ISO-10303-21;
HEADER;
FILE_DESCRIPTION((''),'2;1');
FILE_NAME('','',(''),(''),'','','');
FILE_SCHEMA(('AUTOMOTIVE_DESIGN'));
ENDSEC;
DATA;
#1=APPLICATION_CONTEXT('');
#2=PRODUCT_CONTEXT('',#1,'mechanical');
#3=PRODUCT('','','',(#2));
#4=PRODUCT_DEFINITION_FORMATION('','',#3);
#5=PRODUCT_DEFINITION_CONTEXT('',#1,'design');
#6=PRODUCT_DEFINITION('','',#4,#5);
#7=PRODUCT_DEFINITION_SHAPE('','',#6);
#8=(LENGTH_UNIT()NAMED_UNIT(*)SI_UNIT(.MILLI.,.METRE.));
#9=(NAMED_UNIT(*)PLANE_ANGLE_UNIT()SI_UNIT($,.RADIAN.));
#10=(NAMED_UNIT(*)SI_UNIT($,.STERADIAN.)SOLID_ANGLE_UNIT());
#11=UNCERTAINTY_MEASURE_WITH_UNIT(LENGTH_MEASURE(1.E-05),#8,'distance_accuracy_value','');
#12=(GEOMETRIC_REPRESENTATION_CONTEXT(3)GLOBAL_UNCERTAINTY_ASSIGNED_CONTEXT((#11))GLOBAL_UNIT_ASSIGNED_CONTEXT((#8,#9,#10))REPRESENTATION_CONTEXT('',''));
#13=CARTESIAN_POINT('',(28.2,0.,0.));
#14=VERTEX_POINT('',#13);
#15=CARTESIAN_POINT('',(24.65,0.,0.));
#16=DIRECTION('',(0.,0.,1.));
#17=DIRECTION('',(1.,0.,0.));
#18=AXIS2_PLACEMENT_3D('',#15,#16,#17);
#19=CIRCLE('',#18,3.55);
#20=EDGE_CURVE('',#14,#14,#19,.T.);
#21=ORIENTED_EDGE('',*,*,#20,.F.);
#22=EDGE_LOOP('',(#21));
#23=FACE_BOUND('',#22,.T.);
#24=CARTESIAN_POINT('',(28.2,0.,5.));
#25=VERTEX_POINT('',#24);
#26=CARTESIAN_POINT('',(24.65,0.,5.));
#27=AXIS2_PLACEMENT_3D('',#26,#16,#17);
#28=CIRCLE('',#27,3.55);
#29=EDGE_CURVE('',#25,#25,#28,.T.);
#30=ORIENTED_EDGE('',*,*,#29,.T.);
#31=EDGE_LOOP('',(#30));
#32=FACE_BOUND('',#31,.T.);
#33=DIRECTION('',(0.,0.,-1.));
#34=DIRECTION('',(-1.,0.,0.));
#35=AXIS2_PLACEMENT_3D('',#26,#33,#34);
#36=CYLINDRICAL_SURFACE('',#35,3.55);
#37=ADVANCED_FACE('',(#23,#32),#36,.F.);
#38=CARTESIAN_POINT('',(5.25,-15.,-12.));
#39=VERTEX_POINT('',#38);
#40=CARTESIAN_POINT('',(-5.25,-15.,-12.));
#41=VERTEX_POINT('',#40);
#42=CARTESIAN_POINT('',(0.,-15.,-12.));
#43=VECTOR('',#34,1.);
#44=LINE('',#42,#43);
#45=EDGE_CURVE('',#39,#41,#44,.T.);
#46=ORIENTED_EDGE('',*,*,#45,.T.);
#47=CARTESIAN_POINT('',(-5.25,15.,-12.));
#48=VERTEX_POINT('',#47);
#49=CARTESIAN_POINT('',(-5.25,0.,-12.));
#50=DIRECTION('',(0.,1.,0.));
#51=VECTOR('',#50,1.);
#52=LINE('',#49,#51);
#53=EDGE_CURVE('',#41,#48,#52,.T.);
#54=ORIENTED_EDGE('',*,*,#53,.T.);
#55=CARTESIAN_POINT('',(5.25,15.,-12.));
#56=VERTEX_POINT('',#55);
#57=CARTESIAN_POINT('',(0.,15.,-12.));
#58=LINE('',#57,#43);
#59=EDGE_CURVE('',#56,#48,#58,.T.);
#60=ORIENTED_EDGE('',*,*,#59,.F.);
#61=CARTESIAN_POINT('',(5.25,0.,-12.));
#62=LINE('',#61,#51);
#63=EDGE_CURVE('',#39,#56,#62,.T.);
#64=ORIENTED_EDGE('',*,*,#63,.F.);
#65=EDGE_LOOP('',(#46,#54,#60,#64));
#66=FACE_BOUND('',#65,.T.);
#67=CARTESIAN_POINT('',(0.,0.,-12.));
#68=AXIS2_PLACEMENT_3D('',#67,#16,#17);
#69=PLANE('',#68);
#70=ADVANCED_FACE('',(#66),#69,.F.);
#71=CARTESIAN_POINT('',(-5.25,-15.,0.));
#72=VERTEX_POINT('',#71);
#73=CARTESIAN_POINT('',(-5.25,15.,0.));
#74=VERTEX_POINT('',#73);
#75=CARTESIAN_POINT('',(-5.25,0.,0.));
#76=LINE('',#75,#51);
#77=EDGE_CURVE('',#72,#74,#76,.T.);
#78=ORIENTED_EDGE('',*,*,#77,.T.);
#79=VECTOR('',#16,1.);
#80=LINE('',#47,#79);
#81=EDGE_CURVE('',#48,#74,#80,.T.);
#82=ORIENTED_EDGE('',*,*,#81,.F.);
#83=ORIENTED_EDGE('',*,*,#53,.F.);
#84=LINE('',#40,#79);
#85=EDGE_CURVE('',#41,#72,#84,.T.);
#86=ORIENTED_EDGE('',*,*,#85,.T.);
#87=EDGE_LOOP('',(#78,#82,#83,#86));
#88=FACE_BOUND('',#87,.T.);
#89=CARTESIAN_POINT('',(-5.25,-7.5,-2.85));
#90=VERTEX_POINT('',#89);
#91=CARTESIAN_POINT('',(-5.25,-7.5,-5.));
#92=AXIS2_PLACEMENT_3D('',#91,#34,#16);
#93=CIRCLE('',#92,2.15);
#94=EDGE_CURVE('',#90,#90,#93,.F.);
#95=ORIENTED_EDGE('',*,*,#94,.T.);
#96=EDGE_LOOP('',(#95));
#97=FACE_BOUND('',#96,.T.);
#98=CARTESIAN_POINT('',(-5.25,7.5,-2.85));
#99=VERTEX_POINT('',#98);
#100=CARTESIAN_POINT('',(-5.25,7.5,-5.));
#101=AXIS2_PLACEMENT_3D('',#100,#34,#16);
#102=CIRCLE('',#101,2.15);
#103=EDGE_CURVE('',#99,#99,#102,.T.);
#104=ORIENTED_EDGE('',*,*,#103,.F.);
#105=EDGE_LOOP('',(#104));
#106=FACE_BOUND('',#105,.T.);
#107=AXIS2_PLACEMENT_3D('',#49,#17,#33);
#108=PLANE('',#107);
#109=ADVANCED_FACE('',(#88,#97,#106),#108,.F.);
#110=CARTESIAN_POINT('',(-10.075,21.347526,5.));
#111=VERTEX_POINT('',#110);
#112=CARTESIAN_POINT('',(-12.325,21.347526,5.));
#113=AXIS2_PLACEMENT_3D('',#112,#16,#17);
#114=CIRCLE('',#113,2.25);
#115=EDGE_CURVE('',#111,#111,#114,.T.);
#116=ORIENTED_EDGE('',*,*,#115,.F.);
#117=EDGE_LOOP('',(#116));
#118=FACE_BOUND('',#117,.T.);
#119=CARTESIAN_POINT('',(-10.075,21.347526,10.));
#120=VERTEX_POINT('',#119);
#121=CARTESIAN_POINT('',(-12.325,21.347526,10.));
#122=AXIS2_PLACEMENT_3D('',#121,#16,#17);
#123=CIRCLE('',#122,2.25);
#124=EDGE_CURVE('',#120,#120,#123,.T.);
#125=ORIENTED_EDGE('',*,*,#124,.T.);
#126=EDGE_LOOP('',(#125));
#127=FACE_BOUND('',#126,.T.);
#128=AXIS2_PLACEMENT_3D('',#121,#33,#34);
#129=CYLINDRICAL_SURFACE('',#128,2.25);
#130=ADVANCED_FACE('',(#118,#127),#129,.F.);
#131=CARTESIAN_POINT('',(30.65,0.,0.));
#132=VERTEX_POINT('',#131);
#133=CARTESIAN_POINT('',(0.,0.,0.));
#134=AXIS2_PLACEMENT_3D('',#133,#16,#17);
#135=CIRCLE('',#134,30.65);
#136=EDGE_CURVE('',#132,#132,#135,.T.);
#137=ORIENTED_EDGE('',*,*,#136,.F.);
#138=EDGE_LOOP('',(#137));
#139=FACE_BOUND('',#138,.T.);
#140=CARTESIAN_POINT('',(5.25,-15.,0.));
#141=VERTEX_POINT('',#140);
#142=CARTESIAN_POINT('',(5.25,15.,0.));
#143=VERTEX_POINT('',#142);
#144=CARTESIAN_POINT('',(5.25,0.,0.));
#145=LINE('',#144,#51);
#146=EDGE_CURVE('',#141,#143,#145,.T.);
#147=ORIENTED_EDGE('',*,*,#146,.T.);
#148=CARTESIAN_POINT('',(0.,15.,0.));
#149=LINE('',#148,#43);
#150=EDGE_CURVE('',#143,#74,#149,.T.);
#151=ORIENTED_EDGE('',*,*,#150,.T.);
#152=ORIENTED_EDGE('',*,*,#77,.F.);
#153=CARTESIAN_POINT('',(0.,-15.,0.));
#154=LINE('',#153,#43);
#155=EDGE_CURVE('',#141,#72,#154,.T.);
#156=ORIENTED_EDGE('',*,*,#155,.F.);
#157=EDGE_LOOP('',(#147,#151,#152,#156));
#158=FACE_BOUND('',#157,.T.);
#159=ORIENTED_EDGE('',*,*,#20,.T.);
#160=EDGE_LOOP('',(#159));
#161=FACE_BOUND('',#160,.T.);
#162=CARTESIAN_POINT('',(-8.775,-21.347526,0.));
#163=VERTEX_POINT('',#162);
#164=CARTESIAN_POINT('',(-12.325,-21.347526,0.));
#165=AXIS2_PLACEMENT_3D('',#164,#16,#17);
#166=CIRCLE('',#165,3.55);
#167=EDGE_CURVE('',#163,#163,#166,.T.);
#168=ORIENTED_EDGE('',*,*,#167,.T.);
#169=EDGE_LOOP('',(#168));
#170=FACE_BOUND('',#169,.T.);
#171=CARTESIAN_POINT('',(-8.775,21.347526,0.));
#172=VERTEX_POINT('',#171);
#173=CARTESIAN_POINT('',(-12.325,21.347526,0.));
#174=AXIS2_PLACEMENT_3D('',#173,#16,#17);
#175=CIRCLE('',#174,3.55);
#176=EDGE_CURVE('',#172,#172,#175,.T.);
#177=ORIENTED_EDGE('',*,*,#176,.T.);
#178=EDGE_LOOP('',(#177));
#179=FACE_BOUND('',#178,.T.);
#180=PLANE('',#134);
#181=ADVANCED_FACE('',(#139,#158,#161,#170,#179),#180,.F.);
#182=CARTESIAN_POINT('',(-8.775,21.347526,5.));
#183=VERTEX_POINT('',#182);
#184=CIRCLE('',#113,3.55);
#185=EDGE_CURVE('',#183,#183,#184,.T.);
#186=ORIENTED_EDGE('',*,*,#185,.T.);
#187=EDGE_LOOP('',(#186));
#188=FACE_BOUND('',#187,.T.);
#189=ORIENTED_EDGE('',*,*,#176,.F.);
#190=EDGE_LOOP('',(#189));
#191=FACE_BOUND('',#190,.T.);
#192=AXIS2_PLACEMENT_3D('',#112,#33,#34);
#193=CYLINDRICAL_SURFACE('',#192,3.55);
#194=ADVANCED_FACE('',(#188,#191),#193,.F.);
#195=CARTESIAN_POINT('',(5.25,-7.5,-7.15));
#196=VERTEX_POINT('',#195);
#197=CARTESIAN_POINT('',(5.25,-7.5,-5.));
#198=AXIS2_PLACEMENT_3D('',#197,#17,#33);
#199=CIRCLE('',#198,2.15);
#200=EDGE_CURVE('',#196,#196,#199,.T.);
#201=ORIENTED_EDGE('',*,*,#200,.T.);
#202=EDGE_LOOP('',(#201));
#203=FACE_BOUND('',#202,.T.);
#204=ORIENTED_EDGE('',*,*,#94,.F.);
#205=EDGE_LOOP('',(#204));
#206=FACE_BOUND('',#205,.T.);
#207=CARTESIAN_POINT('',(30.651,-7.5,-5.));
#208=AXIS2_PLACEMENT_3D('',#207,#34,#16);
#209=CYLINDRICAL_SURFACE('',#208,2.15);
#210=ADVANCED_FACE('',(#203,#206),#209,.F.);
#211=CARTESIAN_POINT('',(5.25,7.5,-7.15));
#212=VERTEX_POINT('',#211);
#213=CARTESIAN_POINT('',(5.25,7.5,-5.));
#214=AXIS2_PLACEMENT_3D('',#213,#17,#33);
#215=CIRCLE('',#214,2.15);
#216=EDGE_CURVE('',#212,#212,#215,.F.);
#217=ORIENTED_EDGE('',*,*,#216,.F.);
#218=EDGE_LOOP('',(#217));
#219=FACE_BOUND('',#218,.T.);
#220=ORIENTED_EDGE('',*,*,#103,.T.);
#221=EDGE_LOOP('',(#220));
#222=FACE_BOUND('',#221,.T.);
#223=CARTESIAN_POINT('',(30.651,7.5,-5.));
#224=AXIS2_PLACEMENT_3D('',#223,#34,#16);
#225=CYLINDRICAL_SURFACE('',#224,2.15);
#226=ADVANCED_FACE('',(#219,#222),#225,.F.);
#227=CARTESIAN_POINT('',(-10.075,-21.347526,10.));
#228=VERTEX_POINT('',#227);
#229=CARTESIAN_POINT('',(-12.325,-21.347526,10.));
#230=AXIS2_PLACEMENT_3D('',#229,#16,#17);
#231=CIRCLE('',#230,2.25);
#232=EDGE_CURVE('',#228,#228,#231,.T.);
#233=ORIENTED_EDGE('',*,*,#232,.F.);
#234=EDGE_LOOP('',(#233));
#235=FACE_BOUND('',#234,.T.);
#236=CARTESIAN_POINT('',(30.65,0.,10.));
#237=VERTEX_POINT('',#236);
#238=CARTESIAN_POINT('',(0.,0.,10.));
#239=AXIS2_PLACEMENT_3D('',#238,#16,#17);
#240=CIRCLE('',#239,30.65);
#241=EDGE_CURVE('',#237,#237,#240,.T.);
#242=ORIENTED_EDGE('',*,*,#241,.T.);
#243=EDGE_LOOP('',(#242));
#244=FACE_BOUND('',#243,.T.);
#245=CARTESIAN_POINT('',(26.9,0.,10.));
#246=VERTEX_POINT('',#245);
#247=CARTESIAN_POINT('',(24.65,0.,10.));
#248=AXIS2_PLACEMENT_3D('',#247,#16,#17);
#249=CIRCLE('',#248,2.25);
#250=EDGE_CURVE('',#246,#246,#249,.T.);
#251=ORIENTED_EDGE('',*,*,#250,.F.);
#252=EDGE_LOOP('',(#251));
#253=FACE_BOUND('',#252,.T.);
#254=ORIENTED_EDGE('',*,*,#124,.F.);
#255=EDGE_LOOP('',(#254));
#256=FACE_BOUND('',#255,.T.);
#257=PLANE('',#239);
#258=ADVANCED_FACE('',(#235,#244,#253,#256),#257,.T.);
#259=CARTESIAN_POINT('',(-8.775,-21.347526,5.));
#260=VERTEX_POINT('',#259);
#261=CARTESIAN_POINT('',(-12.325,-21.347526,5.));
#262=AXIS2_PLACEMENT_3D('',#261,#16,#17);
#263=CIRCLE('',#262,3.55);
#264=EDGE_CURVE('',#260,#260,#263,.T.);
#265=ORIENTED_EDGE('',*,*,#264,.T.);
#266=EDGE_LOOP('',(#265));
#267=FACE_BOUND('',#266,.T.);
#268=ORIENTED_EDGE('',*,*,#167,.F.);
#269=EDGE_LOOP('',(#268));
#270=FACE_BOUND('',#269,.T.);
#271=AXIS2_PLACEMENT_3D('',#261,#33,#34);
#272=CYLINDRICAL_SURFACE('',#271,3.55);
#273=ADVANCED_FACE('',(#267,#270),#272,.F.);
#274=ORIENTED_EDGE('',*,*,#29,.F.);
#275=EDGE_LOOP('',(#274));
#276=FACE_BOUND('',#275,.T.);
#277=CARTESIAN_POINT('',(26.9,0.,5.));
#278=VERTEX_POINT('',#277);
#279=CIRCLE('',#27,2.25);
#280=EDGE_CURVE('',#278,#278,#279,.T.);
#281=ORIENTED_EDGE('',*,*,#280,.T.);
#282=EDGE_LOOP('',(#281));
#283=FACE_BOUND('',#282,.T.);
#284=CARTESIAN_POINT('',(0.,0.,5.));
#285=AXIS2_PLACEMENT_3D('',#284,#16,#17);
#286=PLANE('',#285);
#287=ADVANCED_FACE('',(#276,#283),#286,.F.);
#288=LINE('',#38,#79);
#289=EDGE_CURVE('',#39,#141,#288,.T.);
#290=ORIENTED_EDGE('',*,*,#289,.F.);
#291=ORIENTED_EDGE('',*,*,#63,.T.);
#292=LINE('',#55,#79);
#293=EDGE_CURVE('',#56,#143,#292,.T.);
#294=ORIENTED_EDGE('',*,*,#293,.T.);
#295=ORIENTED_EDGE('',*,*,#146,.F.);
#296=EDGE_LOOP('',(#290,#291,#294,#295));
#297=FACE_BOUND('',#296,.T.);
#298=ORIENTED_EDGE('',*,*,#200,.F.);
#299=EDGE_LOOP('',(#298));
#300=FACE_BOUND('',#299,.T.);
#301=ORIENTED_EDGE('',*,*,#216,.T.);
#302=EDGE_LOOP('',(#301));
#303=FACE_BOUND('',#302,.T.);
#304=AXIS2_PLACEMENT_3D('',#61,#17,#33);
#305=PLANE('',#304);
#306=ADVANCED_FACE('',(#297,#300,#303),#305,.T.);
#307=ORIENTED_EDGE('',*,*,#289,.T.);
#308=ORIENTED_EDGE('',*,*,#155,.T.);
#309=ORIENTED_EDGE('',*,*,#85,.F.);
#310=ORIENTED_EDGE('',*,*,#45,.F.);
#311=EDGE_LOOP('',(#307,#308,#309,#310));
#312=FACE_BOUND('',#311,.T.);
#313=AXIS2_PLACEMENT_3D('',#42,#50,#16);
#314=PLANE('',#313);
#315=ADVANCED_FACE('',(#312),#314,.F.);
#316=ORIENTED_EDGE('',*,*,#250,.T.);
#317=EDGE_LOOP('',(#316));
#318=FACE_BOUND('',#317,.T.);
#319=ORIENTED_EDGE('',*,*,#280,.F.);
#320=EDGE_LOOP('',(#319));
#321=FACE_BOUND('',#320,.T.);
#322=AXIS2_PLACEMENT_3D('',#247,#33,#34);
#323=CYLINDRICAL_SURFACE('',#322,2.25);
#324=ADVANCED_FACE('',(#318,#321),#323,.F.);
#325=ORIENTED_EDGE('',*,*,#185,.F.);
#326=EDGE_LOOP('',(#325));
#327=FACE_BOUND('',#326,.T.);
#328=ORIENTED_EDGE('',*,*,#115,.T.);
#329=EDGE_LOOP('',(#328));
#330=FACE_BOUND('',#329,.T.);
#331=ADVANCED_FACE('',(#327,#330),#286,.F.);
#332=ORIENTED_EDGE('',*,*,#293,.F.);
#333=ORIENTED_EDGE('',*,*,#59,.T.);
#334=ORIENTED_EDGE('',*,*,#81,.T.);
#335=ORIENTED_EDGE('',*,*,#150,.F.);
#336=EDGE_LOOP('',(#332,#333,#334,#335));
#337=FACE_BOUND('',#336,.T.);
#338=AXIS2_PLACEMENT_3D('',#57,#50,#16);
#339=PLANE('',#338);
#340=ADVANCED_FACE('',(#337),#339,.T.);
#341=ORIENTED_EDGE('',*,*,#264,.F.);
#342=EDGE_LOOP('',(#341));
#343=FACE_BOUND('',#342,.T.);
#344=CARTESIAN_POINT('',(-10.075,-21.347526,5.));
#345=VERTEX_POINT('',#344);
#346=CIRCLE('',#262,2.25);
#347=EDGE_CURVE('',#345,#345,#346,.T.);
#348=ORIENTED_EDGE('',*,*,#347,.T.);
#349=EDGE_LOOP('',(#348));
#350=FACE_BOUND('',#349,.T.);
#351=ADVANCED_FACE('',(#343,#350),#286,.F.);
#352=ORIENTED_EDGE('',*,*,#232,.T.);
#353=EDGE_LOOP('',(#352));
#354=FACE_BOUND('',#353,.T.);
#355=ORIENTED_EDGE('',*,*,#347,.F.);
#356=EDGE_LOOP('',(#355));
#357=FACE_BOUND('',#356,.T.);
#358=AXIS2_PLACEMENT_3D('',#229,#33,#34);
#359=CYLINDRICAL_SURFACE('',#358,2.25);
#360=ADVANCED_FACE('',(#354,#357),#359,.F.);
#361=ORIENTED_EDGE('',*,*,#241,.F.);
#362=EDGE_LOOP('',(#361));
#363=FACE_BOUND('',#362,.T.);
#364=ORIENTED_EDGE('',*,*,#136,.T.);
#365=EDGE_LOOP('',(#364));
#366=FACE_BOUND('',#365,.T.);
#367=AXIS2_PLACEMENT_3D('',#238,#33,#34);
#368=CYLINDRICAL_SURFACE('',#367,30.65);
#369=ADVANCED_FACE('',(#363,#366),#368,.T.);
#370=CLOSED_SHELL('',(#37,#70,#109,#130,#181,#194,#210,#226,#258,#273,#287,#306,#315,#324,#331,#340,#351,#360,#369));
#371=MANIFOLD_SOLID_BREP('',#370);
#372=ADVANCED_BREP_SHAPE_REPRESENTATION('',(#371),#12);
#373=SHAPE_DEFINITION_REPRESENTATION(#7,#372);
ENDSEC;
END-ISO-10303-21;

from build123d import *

# Parameters (mm, degrees)
SKETCH_288_R           = 30.65
SKETCH_288_R_2         = 2.25
EXTRUDE_1509_DEPTH     = 10
SKETCH_1_3_R           = 3.55
SKETCH_1_3_R_2         = 2.25
CUT_EXTRUDE_1553_DEPTH = 5
SKETCH_1_5_W           = 10.5
SKETCH_1_5_H           = 30
EXTRUDE_2_DEPTH        = 12
CUT_EXTRUDE_2473_REACH = 50.706
SKETCH_2180_R          = 2.15


with BuildPart() as part:
    # Sketch 288 → Extrude 1509 (new body)
    with BuildSketch(Plane.XY):
        Circle(SKETCH_288_R)
        with Locations((24.65, 0)):
            Circle(SKETCH_288_R_2, mode=Mode.SUBTRACT)
        with Locations((-12.325, -21.347526203)):
            Circle(SKETCH_288_R_2, mode=Mode.SUBTRACT)
        with Locations((-12.325, 21.347526203)):
            Circle(SKETCH_288_R_2, mode=Mode.SUBTRACT)
    extrude(amount=EXTRUDE_1509_DEPTH)

    # Эскиз1<3> → Cut-Extrude 1553 (cut)
    # profile 1 of 3: a face of its own
    with BuildSketch(Plane.XY):
        with Locations((24.65, 0)):
            Circle(SKETCH_1_3_R)
        with Locations((24.65, 0)):
            Circle(SKETCH_1_3_R_2, mode=Mode.SUBTRACT)
    # profile 2 of 3: a face of its own
    with BuildSketch(Plane.XY):
        with Locations((-12.325, 21.347526203)):
            Circle(SKETCH_1_3_R)
        with Locations((-12.325, 21.347526203)):
            Circle(SKETCH_1_3_R_2, mode=Mode.SUBTRACT)
    # profile 3 of 3: a face of its own
    with BuildSketch(Plane.XY):
        with Locations((-12.325, -21.347526203)):
            Circle(SKETCH_1_3_R)
        with Locations((-12.325, -21.347526203)):
            Circle(SKETCH_1_3_R_2, mode=Mode.SUBTRACT)
    extrude(amount=CUT_EXTRUDE_1553_DEPTH, mode=Mode.SUBTRACT)

    # Эскиз1<5> → Бобышка-Вытянуть2 (add)
    with BuildSketch(Plane.XY):
        Rectangle(SKETCH_1_5_W, SKETCH_1_5_H)
    extrude(amount=-EXTRUDE_2_DEPTH)

    # Sketch 2180 → Cut-Extrude 2473 (cut, up to next)
    with BuildSketch(Plane.ZY.offset(5.25), mode=Mode.PRIVATE) as cut_extrude_2473_sk1:
        with Locations((-5, 7.5)):
            Circle(SKETCH_2180_R)
    cut_extrude_2473_tool1 = extrude(cut_extrude_2473_sk1.sketch, amount=-CUT_EXTRUDE_2473_REACH, mode=Mode.PRIVATE) & part.part
    # Sketch 2180 → Cut-Extrude 2473 (cut, up to next)
    with BuildSketch(Plane.ZY.offset(5.25), mode=Mode.PRIVATE) as cut_extrude_2473_sk2:
        with Locations((-5, -7.5)):
            Circle(SKETCH_2180_R)
    cut_extrude_2473_tool2 = extrude(cut_extrude_2473_sk2.sketch, amount=-CUT_EXTRUDE_2473_REACH, mode=Mode.PRIVATE) & part.part
    add(cut_extrude_2473_tool1.solids().sort_by_distance((-5.25, 7.5, -5))[0], mode=Mode.SUBTRACT)
    add(cut_extrude_2473_tool2.solids().sort_by_distance((-5.25, -7.5, -5))[0], mode=Mode.SUBTRACT)


solid = part.part
